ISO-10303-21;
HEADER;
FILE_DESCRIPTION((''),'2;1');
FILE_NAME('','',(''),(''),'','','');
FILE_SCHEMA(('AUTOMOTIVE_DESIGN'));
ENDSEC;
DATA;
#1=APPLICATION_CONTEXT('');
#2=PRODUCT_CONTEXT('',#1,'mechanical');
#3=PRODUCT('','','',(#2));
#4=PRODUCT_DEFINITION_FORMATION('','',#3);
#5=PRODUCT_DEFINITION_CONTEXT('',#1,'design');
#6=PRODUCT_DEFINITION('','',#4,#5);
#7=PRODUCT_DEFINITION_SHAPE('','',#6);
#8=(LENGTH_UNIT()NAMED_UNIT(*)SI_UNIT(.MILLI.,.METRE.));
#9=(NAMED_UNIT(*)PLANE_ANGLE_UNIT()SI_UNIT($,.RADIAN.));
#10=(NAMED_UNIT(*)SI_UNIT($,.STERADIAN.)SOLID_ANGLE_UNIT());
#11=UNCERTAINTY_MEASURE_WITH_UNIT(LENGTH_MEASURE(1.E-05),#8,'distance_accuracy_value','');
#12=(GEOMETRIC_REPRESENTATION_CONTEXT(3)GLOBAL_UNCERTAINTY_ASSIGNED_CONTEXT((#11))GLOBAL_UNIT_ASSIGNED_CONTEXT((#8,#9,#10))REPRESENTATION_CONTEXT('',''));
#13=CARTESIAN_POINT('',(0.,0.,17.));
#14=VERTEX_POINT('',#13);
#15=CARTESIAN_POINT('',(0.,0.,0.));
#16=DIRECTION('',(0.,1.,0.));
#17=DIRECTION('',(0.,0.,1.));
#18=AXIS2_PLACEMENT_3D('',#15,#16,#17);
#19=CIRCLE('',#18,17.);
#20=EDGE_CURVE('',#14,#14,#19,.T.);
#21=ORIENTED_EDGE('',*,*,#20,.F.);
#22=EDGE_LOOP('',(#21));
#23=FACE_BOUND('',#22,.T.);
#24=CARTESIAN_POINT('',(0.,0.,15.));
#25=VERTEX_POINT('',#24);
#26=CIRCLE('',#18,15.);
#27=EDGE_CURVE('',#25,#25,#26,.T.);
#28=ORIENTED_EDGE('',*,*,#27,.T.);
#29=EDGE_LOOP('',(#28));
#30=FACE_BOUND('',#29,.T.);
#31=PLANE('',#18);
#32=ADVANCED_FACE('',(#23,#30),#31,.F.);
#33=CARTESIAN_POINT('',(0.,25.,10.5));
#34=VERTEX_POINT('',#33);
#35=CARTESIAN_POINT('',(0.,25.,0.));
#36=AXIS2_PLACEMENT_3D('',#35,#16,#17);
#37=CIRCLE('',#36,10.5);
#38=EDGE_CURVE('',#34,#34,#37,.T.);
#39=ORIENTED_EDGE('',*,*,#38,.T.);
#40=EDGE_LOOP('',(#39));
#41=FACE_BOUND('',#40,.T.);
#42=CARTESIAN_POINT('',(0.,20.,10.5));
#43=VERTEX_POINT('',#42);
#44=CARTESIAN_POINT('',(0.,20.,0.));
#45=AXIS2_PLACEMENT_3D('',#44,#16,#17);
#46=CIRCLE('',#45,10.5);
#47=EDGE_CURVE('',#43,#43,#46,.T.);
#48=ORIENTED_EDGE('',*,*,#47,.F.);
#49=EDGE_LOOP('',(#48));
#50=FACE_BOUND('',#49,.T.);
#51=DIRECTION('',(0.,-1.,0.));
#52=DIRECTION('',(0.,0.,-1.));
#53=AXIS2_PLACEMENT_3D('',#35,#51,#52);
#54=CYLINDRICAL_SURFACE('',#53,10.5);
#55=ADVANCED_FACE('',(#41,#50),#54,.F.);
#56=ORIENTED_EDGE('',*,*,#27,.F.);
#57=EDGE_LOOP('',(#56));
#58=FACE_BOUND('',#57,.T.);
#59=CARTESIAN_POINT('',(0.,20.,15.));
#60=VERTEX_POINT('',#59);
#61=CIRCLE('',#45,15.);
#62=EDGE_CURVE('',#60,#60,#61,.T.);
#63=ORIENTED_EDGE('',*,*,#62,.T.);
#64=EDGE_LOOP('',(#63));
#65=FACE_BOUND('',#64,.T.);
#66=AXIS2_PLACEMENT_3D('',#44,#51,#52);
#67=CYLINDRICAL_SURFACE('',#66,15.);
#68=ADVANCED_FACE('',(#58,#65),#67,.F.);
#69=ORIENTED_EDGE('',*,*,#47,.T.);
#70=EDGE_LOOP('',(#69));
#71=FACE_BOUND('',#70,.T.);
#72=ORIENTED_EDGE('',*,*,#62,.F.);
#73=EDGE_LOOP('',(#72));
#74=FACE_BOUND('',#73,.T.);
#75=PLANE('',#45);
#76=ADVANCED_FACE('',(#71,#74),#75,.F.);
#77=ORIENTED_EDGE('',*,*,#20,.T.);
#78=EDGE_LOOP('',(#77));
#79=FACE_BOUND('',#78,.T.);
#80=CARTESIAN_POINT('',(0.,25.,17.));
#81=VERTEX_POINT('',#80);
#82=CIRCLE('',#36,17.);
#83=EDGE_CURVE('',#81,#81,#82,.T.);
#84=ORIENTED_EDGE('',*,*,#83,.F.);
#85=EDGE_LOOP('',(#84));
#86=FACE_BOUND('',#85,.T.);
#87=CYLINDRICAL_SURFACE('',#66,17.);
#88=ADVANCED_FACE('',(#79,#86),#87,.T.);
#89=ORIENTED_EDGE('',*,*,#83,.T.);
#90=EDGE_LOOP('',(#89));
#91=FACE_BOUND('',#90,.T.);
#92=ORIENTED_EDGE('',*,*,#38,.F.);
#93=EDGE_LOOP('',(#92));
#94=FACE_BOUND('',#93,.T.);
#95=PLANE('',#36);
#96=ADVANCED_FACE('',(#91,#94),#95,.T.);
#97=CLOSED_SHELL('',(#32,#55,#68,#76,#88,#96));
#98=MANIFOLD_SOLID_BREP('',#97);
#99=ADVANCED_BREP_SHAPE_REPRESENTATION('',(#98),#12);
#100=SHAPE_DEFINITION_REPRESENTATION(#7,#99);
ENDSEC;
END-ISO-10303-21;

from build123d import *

# Parameters (mm, degrees)
SKETCH1_R           = 17
SKETCH1_R_2         = 15
BOSS_EXTRUDE1_DEPTH = 20
SKETCH2_R           = 17
SKETCH2_R_2         = 15
SKETCH2_R_3         = 10.5
BOSS_EXTRUDE2_DEPTH = 5


with BuildPart() as part:
    # Sketch1 → Boss-Extrude1 (new body)
    with BuildSketch(Plane(origin=(0, 0, 0), x_dir=(1, 0, 0), z_dir=(0, 1, 0))):
        with Locations(Location((0, 0, 0), (0, 0, 270))):
            Circle(SKETCH1_R)
        with Locations(Location((0, 0, 0), (0, 0, 270))):
            Circle(SKETCH1_R_2, mode=Mode.SUBTRACT)
    extrude(amount=BOSS_EXTRUDE1_DEPTH)

    # Sketch2 → Boss-Extrude2 (add)
    # profile 1 of 2: a face of its own
    with BuildSketch(Plane(origin=(0, 20, 0), x_dir=(1, 0, 0), z_dir=(0, 1, 0))):
        with Locations(Location((0, 0, 0), (0, 0, 270))):
            Circle(SKETCH2_R)
        with Locations(Location((0, 0, 0), (0, 0, 270))):
            Circle(SKETCH2_R_2, mode=Mode.SUBTRACT)
    # profile 2 of 2: a face of its own
    with BuildSketch(Plane(origin=(0, 20, 0), x_dir=(1, 0, 0), z_dir=(0, 1, 0))):
        with Locations(Location((0, 0, 0), (0, 0, 270))):
            Circle(SKETCH2_R_2)
        with Locations(Location((0, 0, 0), (0, 0, 270))):
            Circle(SKETCH2_R_3, mode=Mode.SUBTRACT)
    extrude(amount=BOSS_EXTRUDE2_DEPTH)


solid = part.part
